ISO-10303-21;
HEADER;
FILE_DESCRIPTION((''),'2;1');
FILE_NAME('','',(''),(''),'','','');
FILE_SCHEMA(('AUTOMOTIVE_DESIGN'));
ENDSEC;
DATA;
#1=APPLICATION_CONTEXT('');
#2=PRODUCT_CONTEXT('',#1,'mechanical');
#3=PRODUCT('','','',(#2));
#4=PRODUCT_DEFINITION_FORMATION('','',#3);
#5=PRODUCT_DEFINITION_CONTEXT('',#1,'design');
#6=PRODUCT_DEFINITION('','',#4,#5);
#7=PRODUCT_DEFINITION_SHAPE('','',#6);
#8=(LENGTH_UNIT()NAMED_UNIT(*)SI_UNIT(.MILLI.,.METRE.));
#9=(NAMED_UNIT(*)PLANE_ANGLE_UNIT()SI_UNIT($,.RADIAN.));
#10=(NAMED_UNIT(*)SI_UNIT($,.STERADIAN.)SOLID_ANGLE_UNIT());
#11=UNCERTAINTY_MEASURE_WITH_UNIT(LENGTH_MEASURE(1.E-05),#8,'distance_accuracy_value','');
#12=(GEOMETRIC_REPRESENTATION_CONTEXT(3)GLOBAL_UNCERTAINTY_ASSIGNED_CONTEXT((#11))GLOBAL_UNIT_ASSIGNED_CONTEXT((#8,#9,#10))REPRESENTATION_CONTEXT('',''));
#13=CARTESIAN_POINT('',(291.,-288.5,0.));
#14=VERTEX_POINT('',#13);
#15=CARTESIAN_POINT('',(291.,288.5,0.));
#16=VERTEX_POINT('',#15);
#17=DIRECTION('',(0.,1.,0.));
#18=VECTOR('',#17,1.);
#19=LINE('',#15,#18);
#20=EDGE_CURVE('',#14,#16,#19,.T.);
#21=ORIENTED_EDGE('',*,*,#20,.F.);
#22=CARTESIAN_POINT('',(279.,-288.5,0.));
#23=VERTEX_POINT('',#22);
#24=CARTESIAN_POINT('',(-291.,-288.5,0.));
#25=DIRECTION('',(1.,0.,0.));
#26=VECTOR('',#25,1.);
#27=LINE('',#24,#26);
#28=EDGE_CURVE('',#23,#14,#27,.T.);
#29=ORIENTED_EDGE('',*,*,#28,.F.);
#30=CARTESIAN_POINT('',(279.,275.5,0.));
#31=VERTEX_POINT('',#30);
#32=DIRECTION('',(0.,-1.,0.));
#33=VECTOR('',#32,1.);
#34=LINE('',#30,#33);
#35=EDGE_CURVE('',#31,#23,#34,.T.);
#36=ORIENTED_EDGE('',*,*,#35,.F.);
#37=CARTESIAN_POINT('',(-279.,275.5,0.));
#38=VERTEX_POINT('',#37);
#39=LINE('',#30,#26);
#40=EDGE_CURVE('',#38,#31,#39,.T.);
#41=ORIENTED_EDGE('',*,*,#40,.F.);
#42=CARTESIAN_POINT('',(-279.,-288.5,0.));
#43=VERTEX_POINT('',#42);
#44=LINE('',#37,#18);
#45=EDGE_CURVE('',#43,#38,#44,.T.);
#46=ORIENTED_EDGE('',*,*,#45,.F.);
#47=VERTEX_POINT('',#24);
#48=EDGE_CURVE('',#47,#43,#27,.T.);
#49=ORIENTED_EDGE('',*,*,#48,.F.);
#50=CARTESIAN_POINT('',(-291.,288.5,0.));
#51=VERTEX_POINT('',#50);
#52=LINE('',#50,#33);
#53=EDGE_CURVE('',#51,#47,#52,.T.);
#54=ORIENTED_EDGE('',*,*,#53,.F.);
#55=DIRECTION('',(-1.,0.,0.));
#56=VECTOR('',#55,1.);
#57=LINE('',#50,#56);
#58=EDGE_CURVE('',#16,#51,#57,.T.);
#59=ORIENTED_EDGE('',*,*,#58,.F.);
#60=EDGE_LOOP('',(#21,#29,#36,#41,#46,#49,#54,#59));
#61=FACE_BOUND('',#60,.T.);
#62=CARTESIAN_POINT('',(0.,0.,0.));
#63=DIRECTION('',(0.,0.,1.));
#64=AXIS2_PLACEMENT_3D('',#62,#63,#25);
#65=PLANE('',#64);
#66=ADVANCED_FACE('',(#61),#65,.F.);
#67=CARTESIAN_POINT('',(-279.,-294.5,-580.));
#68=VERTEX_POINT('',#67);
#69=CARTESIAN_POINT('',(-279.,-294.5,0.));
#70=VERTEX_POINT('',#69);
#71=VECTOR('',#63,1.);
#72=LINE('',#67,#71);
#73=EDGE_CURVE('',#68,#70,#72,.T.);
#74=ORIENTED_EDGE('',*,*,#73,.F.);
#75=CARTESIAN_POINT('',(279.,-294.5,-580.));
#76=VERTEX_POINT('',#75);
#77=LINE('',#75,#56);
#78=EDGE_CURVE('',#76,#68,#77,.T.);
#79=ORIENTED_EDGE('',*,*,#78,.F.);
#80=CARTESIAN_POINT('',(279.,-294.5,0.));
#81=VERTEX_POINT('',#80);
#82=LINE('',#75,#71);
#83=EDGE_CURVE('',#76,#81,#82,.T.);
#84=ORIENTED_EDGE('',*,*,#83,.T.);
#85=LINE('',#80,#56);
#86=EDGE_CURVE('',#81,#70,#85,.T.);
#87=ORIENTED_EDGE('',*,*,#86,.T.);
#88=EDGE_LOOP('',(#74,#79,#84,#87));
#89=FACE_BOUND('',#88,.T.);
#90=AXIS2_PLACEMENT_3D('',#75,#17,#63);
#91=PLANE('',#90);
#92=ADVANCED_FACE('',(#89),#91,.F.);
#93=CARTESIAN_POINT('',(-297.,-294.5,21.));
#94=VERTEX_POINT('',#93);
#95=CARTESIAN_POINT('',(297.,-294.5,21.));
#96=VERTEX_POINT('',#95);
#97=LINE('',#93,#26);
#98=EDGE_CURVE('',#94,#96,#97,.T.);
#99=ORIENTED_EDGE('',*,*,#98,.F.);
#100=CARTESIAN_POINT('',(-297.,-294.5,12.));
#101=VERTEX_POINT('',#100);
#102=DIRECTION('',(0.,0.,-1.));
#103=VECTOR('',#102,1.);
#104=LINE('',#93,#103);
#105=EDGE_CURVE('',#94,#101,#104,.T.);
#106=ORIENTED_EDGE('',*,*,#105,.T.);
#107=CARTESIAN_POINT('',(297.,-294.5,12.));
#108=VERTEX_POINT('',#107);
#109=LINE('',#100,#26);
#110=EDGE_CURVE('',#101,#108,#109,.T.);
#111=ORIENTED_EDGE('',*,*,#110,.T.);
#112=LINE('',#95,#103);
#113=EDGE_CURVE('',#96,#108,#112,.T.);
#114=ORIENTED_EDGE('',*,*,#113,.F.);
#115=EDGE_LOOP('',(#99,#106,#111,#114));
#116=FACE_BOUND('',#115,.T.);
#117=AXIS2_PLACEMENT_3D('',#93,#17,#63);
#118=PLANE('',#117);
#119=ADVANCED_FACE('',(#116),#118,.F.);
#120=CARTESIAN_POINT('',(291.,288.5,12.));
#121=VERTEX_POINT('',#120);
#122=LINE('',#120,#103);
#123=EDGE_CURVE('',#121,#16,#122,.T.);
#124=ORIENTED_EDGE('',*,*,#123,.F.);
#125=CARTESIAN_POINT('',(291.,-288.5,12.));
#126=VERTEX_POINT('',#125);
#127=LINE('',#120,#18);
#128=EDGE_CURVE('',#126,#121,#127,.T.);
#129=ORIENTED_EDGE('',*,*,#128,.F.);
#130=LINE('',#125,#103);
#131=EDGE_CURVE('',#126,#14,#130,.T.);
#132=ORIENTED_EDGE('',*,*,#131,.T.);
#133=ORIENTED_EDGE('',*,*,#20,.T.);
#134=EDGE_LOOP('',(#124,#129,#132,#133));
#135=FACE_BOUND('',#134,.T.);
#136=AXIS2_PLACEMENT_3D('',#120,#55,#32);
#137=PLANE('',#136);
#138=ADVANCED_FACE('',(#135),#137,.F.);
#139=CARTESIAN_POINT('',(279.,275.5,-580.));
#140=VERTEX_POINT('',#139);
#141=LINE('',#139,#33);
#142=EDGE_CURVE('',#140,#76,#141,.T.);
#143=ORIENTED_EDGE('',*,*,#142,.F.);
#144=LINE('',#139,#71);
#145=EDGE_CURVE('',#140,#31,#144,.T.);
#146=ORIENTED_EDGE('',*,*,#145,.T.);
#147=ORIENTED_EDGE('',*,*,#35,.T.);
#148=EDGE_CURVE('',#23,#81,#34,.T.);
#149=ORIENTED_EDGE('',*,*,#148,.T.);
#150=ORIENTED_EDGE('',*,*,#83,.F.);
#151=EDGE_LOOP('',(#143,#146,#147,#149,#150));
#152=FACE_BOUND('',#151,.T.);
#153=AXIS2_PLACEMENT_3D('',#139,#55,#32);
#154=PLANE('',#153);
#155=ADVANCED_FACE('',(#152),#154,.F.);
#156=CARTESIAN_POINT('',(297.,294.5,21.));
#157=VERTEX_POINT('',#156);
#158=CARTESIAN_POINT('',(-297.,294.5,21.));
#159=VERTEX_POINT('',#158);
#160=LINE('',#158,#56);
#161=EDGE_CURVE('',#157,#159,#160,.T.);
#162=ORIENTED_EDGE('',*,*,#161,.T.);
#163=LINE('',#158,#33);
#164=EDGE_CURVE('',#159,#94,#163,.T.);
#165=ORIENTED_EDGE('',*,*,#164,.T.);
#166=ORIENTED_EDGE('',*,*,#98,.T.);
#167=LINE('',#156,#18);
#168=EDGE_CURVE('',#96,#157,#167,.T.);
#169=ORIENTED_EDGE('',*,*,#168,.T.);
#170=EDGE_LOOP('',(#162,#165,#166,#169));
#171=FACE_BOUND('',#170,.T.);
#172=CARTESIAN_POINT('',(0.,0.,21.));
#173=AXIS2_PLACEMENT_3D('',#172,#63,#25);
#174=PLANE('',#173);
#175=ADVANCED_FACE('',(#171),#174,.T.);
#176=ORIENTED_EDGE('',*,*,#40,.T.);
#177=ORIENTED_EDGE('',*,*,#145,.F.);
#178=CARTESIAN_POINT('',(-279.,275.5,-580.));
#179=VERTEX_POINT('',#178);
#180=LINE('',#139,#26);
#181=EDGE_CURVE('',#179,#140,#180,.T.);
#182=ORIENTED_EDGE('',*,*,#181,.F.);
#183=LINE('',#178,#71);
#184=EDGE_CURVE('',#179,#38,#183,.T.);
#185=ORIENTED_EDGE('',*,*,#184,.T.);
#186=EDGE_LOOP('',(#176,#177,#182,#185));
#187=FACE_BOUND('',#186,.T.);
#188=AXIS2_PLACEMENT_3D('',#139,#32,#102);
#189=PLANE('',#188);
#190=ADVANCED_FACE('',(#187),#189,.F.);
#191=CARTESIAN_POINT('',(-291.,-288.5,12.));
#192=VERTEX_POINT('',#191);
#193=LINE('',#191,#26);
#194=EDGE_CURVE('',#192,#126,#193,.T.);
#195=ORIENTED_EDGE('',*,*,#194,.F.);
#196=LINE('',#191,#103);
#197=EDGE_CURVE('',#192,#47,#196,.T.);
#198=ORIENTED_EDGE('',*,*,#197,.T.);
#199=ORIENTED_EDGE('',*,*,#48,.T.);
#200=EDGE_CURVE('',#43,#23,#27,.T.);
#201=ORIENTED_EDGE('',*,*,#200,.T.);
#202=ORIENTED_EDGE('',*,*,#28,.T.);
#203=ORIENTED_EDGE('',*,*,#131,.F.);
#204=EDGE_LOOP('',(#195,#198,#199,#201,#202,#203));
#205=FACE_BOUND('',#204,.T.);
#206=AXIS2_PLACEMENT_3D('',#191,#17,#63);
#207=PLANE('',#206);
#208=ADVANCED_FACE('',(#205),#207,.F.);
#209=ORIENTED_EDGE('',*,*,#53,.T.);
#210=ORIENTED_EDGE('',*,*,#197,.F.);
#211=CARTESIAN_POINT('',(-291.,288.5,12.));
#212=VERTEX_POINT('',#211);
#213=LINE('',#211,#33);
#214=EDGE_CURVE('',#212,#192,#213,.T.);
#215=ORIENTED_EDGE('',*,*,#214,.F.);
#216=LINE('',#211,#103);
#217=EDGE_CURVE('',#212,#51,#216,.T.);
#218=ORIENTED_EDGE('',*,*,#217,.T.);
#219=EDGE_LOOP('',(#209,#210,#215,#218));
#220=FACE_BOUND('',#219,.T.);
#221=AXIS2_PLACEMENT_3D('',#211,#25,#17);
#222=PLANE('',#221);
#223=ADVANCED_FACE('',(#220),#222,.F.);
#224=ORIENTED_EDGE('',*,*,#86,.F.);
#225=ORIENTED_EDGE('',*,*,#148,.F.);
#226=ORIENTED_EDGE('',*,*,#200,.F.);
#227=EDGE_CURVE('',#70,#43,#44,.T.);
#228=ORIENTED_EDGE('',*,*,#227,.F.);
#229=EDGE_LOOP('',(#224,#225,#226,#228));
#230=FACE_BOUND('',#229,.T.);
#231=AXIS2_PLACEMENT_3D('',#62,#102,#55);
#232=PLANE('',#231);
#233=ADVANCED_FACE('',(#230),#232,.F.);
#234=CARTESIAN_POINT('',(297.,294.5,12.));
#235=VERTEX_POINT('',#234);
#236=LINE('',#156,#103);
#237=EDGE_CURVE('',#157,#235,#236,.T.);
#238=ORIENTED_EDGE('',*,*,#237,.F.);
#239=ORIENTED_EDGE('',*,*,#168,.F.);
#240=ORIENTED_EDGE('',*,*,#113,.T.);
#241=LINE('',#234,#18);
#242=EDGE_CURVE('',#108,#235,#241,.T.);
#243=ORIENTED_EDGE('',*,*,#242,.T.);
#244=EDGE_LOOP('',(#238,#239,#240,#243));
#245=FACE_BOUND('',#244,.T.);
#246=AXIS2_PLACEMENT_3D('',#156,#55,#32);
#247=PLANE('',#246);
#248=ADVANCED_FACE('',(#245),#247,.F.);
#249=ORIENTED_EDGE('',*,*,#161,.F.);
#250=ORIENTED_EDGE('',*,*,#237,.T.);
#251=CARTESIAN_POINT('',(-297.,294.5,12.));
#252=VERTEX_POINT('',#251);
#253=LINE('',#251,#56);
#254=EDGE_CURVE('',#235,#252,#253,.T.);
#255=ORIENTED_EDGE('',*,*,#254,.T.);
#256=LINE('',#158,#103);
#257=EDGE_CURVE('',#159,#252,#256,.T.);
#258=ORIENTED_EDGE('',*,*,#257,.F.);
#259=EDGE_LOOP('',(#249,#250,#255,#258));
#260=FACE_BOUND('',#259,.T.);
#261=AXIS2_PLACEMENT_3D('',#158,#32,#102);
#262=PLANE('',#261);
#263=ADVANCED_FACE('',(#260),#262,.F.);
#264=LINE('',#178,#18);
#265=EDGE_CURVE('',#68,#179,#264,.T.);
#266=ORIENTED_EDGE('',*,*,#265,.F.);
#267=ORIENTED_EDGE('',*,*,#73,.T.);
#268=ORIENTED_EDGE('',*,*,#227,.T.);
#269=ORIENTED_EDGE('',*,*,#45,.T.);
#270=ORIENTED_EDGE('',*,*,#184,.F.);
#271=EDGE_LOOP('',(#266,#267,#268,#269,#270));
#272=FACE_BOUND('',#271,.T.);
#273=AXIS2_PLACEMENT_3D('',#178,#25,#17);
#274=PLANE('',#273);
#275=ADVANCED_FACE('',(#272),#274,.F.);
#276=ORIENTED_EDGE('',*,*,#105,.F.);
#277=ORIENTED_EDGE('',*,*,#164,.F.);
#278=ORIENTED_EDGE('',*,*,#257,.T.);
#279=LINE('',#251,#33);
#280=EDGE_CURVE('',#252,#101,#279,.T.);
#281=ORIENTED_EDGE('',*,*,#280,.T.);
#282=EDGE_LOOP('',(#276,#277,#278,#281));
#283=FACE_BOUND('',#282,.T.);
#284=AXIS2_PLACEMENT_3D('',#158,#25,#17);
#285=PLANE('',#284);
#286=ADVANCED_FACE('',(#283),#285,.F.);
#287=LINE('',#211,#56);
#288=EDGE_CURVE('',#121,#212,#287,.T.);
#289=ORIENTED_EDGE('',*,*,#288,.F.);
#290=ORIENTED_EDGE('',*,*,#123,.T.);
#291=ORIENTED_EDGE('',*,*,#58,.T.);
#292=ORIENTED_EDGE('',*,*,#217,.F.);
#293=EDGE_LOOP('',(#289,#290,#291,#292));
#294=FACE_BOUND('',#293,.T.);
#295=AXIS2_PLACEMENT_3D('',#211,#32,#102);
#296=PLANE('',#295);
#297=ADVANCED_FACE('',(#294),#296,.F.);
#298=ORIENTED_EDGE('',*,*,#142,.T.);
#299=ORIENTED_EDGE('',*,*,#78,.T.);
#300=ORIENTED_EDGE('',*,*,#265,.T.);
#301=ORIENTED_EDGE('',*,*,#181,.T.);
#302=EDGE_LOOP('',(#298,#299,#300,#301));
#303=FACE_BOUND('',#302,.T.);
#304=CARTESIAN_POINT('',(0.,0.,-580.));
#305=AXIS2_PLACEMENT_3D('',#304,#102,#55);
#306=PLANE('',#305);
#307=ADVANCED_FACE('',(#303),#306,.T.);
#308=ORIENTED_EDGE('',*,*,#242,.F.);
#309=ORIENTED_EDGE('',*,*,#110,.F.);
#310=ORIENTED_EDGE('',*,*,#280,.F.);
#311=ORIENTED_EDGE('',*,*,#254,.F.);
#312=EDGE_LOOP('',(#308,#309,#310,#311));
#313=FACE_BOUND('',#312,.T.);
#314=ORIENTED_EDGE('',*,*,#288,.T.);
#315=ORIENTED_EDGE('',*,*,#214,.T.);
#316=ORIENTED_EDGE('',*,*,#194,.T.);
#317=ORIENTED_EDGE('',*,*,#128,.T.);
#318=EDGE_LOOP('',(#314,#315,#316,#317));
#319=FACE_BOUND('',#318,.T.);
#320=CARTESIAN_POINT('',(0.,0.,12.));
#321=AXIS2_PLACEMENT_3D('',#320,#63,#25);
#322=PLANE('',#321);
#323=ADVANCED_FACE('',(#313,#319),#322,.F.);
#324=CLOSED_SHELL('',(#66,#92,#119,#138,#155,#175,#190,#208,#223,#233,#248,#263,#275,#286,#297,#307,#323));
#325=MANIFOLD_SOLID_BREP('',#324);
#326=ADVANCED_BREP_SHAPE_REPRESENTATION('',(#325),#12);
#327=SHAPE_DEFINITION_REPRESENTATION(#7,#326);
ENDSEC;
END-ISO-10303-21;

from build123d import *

# Parameters (mm, degrees)
SKETCH_1_W      = 582
SKETCH_1_H      = 577
EXTRUDE_1_DEPTH = 12
SKETCH_2_W      = 558
SKETCH_2_H      = 570
EXTRUDE_2_DEPTH = 580
SKETCH_3_W      = 594
SKETCH_3_H      = 589
EXTRUDE_3_DEPTH = 9


with BuildPart() as part:
    # Эскиз1 → Бобышка-Вытянуть1 (new body)
    with BuildSketch(Plane.XY):
        Rectangle(SKETCH_1_W, SKETCH_1_H)
    extrude(amount=EXTRUDE_1_DEPTH)

    # Эскиз2 → Бобышка-Вытянуть2 (add)
    with BuildSketch(Plane(origin=(0, 0, 0), x_dir=(-1, 0, 0), z_dir=(0, 0, -1))):
        with Locations((0, -9.5)):
            Rectangle(SKETCH_2_W, SKETCH_2_H)
    extrude(amount=EXTRUDE_2_DEPTH)

    # Эскиз3 → Бобышка-Вытянуть3 (add)
    with BuildSketch(Plane.XY.offset(12)):
        Rectangle(SKETCH_3_W, SKETCH_3_H)
    extrude(amount=EXTRUDE_3_DEPTH)


solid = part.part
